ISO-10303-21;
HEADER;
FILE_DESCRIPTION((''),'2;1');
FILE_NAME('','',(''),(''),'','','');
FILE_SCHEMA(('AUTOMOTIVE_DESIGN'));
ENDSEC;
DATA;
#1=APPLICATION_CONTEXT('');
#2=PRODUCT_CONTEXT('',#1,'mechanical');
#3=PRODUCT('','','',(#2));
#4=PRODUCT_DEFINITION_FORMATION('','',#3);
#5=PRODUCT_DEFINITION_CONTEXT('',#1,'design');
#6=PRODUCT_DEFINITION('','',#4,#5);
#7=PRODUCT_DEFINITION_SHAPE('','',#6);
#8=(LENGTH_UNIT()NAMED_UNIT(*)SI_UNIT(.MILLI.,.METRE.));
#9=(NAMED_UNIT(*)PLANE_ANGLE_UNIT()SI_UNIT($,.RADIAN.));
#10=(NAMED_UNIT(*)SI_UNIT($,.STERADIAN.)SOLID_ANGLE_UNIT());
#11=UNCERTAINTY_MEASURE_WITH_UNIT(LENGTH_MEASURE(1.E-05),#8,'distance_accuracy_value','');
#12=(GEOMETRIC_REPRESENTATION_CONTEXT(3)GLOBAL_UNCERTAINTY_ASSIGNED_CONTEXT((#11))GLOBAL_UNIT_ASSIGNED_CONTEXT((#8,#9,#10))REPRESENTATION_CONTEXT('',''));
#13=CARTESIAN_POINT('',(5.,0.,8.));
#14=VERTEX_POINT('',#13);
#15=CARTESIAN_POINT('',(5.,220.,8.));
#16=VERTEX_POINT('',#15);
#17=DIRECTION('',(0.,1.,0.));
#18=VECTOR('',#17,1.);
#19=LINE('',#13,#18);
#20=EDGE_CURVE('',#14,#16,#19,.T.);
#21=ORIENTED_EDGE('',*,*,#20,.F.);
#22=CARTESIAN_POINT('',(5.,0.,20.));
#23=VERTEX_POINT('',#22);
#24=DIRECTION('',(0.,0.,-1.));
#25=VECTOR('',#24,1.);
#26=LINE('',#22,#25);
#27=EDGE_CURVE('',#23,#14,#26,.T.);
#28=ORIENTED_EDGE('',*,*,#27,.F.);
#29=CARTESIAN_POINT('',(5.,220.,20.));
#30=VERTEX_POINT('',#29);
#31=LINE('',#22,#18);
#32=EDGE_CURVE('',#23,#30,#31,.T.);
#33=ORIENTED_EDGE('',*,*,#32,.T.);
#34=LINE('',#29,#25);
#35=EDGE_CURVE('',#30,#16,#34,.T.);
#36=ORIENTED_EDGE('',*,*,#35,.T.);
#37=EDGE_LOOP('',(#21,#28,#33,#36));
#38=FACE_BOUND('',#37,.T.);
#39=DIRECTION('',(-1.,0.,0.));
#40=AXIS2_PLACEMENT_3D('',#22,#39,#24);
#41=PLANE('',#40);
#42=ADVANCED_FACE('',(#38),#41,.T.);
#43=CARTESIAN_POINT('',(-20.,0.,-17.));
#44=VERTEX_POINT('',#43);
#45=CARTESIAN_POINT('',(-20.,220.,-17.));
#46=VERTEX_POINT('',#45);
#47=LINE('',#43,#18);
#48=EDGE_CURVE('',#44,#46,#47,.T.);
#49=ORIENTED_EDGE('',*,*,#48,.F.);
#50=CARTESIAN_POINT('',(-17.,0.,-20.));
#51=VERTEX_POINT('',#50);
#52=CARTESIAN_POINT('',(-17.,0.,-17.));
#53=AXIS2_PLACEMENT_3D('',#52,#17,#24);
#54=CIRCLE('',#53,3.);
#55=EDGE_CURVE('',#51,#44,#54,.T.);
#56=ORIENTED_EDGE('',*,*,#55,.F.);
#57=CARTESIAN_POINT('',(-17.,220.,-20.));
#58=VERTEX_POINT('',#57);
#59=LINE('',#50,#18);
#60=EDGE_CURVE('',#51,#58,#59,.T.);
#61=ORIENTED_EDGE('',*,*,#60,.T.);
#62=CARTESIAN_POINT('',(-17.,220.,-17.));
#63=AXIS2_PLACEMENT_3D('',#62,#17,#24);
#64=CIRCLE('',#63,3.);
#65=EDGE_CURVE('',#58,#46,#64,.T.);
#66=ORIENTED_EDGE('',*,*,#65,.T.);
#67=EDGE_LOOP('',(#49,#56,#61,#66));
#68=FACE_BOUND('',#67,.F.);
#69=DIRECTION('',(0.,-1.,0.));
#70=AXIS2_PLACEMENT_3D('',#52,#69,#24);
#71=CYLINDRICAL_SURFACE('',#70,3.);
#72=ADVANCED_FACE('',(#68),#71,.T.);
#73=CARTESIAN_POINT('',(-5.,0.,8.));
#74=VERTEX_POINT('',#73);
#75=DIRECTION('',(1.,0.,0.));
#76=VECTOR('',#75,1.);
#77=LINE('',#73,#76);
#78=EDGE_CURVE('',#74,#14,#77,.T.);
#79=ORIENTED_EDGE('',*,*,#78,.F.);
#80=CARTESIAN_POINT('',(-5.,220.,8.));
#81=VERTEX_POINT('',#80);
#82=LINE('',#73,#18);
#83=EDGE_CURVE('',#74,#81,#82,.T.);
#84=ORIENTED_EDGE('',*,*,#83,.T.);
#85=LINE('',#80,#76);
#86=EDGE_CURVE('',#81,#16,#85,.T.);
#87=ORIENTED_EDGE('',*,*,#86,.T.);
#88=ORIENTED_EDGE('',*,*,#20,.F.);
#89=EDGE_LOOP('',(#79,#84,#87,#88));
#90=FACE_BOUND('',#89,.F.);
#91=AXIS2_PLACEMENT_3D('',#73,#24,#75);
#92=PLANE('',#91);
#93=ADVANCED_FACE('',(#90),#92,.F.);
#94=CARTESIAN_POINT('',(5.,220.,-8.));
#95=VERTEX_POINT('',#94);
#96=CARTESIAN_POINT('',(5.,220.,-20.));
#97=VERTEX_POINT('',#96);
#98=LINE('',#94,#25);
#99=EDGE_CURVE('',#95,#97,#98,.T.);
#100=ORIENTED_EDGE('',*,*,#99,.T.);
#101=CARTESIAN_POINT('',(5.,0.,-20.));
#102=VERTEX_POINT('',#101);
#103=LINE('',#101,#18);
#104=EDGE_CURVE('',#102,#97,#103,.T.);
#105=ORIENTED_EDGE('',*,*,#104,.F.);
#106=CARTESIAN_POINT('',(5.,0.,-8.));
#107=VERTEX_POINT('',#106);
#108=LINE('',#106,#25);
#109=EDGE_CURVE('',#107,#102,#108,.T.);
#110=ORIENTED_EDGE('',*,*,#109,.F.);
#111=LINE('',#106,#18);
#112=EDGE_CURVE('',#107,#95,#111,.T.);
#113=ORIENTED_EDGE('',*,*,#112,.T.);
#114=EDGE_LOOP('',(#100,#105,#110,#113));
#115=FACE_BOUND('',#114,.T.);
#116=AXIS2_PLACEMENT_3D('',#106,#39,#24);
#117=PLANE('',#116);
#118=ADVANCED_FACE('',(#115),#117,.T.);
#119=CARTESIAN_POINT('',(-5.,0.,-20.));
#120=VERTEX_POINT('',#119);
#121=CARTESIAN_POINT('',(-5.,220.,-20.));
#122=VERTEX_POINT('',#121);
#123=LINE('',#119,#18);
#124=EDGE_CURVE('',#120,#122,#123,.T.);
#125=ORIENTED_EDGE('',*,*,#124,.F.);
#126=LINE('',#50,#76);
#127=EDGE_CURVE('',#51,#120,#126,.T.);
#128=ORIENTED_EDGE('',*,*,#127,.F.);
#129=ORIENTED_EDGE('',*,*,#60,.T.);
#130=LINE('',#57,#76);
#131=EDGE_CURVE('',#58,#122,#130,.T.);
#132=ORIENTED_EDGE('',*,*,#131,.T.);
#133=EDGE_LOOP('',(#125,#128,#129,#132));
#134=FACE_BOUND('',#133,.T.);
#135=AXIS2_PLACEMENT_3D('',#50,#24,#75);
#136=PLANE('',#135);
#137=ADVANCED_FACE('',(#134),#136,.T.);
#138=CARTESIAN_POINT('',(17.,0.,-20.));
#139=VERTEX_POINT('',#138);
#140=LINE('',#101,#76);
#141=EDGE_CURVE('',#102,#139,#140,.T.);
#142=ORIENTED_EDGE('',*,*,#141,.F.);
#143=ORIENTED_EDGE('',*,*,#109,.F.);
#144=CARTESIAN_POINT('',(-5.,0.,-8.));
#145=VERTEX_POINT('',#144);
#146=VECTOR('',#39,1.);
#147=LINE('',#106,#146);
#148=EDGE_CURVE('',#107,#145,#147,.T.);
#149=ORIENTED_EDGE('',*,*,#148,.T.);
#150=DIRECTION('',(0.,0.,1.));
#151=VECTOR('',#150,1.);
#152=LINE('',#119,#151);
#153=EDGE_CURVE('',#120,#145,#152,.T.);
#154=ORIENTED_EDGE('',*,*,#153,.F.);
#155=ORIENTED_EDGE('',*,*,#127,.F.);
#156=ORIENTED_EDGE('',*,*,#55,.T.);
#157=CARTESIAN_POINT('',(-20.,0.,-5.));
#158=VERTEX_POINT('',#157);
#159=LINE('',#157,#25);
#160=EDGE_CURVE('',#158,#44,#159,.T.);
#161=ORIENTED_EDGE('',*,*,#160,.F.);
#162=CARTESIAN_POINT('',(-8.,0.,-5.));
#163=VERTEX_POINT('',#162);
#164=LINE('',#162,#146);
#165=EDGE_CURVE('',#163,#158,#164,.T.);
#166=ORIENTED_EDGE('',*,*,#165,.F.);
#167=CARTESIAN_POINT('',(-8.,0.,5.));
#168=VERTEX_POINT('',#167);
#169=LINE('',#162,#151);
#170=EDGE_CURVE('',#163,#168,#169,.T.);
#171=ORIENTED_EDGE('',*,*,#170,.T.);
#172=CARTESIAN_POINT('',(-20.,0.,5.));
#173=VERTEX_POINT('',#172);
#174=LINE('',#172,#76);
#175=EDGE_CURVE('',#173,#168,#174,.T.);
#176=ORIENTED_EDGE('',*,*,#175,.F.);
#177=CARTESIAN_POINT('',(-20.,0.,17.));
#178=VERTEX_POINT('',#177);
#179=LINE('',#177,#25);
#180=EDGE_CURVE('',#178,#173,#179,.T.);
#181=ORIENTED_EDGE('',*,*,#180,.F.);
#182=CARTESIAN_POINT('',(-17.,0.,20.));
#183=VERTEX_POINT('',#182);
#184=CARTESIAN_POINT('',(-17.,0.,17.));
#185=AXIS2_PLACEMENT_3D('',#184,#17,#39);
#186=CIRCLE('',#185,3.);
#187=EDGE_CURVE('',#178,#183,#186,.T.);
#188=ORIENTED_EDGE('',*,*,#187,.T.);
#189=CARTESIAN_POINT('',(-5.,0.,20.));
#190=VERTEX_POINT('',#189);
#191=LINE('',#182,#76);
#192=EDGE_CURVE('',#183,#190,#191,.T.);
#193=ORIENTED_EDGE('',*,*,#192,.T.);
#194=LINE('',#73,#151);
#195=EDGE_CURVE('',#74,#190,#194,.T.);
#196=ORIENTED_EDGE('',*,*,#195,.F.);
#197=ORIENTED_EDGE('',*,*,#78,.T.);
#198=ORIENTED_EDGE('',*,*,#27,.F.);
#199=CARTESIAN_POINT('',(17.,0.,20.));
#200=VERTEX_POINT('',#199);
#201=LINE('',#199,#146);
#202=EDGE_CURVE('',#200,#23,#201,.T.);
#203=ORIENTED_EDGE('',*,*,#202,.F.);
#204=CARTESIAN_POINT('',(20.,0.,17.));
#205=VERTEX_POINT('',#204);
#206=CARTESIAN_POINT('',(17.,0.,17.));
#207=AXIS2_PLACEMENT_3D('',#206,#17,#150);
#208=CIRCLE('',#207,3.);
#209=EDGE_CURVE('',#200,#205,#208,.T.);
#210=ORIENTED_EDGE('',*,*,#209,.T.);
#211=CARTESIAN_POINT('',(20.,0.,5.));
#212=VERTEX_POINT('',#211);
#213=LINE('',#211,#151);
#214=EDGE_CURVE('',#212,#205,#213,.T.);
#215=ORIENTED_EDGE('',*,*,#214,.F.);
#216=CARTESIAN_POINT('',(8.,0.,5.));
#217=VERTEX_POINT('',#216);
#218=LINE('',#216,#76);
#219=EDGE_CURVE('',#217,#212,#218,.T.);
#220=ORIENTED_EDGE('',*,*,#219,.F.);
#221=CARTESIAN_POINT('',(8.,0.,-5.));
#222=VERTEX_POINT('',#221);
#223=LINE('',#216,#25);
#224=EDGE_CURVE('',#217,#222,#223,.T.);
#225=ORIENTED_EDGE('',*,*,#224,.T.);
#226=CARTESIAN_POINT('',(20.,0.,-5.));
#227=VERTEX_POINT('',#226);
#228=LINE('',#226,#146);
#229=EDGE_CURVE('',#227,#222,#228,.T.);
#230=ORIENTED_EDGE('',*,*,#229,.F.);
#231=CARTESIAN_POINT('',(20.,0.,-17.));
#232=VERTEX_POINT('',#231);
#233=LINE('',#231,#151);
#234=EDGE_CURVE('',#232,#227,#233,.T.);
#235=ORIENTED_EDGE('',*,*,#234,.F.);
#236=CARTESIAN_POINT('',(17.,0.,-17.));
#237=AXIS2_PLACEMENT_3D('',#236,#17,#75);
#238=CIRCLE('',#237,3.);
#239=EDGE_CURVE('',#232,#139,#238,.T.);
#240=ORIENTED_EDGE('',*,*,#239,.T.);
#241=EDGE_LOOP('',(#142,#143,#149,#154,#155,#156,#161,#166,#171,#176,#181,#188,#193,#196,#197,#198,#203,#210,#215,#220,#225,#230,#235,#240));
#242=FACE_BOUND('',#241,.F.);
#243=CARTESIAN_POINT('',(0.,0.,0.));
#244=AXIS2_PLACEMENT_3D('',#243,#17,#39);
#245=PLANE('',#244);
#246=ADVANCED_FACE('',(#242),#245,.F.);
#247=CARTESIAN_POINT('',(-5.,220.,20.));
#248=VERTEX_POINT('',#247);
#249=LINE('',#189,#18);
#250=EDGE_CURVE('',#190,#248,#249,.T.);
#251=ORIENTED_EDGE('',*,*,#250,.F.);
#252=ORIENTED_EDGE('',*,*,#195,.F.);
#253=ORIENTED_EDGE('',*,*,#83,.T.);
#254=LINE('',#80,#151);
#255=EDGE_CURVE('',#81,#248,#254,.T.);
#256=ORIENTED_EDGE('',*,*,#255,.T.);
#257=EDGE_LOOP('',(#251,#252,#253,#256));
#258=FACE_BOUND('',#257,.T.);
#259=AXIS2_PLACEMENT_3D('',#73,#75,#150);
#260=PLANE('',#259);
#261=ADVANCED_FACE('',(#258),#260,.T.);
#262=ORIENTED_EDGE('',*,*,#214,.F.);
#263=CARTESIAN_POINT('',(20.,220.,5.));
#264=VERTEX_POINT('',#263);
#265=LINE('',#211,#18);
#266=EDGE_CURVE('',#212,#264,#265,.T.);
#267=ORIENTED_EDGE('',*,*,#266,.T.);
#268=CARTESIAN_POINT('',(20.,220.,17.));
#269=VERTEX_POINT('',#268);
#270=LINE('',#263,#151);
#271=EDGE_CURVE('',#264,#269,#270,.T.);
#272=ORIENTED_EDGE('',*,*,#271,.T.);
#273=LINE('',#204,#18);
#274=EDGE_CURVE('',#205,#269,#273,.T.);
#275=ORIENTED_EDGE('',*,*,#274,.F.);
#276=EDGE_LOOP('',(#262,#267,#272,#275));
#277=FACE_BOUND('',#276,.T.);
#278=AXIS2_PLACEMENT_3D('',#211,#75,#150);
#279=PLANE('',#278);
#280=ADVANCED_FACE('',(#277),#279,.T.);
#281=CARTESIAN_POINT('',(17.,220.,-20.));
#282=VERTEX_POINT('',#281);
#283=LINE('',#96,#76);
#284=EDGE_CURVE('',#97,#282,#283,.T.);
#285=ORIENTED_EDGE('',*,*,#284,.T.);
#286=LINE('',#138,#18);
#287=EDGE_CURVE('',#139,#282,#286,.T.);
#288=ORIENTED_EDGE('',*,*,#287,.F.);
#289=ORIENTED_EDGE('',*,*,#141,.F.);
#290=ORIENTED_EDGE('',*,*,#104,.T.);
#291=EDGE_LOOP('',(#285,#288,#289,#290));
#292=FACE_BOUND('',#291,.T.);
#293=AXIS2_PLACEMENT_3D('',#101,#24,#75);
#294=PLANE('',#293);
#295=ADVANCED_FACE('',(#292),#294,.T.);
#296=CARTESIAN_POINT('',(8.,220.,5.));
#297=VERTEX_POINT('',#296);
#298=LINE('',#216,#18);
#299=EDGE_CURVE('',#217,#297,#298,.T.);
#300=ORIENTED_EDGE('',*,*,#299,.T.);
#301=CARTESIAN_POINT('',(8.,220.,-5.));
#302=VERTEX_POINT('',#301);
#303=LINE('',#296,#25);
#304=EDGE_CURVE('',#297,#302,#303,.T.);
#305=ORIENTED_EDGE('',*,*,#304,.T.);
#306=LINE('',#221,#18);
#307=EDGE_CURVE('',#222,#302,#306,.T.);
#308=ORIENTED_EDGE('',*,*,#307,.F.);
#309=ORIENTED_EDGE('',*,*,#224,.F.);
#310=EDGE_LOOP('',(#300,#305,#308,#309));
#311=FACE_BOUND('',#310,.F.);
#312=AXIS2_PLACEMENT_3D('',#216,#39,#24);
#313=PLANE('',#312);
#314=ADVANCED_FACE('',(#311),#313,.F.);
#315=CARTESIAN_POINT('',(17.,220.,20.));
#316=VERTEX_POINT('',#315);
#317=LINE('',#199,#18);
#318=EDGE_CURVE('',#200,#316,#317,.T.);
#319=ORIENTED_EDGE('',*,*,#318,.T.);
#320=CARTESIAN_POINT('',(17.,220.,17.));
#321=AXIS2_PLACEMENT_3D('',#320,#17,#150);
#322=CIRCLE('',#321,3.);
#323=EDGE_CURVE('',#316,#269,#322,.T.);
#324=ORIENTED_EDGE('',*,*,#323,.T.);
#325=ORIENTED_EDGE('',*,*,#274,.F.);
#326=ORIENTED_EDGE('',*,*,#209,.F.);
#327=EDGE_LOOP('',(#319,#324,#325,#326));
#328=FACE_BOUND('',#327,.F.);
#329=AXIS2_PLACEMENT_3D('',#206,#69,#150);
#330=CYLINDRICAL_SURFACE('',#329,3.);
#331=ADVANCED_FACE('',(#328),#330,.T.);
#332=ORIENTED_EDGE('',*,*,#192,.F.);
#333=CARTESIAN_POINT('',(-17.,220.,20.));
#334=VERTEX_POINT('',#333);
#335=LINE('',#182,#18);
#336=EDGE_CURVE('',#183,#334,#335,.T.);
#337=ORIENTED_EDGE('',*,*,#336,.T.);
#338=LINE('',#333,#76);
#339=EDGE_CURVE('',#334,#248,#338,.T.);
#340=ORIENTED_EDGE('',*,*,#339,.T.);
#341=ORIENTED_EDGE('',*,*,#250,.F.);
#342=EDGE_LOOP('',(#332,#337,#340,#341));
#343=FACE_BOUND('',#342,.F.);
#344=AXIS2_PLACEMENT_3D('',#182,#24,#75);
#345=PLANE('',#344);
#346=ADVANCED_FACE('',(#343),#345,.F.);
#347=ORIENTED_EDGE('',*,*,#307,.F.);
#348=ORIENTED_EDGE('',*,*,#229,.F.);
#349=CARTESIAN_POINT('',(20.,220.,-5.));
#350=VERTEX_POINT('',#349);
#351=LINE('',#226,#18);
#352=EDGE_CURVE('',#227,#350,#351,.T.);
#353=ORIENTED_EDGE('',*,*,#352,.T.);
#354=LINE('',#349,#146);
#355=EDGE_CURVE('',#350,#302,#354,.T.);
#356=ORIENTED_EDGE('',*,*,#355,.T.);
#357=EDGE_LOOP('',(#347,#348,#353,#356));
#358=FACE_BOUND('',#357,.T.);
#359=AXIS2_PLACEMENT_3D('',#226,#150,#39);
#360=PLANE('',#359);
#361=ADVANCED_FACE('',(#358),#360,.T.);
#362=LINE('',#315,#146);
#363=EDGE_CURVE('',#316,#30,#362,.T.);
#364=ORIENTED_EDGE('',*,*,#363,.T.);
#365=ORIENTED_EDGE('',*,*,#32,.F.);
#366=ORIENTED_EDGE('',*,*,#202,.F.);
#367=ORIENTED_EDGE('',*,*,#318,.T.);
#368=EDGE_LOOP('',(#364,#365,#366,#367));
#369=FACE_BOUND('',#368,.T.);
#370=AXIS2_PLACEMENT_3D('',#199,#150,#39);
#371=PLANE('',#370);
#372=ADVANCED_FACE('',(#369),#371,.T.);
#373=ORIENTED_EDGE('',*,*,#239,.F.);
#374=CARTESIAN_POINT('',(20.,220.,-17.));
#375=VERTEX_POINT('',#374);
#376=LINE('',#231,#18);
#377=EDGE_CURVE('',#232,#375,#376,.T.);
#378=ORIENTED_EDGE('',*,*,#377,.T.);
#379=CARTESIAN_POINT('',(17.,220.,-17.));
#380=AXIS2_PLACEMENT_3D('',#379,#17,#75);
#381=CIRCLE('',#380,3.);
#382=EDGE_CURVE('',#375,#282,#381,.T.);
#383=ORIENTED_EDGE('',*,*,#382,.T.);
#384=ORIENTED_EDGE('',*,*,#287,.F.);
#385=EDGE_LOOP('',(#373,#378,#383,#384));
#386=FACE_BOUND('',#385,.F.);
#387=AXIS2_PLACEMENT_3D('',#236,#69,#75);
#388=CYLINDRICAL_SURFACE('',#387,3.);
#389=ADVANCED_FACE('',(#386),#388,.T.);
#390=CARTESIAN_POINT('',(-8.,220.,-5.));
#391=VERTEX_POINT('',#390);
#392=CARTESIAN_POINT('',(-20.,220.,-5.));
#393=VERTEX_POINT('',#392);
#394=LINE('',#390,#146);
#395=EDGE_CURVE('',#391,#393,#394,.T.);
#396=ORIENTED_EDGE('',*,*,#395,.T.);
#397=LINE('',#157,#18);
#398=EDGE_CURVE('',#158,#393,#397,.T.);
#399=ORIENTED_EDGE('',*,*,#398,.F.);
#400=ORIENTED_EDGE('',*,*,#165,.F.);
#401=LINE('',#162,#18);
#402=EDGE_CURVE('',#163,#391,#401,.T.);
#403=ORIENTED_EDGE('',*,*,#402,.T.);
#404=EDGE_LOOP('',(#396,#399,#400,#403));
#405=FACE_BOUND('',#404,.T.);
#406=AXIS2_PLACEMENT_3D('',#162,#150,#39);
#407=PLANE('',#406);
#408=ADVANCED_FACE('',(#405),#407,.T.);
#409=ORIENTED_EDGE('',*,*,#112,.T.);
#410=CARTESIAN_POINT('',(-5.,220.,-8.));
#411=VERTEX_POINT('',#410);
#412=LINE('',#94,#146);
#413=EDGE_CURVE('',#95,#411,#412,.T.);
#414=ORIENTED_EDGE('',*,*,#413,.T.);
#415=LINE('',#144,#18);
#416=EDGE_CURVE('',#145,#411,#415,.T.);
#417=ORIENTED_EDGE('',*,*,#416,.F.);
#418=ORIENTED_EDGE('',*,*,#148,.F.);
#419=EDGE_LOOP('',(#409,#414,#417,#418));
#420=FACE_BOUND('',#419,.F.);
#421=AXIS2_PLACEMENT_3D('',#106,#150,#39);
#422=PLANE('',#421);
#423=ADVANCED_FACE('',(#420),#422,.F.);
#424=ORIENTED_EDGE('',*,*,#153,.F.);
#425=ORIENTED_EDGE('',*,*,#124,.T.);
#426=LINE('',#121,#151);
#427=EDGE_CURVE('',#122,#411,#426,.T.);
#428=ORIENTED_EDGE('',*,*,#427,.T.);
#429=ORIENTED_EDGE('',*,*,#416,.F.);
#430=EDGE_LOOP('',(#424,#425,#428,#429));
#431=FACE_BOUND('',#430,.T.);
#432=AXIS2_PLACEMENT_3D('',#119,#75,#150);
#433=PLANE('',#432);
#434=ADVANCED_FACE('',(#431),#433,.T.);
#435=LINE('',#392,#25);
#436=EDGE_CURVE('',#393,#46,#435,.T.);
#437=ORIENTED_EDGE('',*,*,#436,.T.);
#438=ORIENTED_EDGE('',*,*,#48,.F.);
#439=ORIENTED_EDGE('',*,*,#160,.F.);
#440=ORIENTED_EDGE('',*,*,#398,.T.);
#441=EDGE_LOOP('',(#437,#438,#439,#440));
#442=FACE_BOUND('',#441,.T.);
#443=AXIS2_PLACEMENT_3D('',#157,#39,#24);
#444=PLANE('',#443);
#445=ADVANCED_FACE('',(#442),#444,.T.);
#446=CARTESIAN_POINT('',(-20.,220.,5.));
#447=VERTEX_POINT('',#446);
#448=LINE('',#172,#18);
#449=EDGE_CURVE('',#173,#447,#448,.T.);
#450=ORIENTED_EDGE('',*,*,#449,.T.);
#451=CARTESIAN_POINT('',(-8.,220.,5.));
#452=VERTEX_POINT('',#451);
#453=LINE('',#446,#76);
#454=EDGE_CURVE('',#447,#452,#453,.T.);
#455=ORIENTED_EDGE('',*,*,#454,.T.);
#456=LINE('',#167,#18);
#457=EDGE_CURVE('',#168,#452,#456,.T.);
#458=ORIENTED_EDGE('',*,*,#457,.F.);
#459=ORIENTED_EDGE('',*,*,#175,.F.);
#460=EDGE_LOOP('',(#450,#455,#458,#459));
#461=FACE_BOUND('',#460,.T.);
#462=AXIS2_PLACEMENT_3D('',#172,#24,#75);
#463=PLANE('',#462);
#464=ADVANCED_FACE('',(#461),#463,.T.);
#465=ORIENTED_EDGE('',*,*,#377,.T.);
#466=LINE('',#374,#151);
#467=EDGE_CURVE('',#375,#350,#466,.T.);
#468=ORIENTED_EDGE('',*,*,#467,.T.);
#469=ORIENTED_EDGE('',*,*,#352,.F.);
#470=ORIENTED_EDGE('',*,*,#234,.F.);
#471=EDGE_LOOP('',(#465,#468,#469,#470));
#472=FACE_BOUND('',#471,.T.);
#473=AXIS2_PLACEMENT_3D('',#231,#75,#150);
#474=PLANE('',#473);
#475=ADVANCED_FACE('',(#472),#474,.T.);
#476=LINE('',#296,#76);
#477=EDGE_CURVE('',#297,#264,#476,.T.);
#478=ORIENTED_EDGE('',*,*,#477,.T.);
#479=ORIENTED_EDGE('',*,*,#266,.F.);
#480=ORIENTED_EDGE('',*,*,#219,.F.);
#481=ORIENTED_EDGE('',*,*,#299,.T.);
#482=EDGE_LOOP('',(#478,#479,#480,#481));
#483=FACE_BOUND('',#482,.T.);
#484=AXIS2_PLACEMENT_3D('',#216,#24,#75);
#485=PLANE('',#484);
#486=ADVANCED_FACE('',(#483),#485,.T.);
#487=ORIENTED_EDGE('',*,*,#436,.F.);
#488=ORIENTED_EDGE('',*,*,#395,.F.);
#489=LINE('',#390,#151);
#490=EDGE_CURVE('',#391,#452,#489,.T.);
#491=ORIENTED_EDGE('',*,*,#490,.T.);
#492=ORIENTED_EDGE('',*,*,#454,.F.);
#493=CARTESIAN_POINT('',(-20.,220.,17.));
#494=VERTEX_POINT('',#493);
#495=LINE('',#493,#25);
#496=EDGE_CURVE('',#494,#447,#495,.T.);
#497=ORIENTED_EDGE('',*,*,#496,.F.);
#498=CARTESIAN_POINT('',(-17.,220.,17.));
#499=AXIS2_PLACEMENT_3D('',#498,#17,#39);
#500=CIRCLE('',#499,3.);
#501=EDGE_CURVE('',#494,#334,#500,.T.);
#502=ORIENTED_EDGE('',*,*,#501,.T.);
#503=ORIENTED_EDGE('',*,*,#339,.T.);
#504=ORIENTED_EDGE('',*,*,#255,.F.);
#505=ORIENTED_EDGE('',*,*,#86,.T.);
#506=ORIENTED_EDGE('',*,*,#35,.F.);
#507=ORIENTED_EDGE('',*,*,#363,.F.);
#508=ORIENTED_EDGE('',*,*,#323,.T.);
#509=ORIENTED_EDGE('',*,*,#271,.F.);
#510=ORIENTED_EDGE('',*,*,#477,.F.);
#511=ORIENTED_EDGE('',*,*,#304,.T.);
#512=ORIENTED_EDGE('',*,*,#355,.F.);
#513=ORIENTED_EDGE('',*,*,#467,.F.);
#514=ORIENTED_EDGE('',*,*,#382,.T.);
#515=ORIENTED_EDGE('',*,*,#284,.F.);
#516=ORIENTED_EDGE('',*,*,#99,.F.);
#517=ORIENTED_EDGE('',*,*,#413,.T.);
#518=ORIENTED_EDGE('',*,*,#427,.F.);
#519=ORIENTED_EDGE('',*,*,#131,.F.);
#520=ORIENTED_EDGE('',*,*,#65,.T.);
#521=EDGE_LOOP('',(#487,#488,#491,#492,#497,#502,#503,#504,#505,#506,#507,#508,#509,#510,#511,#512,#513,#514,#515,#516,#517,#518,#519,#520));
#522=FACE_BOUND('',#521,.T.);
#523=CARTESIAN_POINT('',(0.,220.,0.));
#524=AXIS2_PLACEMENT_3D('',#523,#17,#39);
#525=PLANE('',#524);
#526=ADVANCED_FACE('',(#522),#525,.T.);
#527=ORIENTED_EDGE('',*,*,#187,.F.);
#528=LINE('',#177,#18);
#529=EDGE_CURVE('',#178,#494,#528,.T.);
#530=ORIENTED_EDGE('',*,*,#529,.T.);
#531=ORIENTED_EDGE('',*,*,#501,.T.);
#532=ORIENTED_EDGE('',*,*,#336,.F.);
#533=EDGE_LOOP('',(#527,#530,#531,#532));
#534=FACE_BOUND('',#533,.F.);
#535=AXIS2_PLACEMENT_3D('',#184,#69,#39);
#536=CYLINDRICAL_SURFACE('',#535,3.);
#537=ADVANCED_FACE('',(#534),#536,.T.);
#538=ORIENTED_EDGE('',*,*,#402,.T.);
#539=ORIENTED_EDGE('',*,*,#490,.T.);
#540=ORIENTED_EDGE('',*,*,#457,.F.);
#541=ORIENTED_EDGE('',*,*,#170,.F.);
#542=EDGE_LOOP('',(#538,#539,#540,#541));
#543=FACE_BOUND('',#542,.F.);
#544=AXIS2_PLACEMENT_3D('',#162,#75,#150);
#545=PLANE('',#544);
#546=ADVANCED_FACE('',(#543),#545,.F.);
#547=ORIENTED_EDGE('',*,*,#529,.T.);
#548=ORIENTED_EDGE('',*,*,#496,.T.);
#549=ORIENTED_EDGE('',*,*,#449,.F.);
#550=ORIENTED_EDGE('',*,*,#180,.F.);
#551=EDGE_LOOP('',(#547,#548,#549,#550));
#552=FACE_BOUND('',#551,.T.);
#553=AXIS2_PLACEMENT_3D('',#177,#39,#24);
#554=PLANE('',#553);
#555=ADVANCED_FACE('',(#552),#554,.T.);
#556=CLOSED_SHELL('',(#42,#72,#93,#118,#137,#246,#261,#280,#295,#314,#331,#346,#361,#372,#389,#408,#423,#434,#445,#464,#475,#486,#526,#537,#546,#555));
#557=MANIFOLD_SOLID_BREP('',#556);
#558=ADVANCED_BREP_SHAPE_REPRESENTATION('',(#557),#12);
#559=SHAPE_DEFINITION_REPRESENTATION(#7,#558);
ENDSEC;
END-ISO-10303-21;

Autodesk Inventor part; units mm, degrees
ref_plane "YZ Plane" through (0, 0, 0) normal (1, 0, 0) x (0, 1, 0)
ref_plane "XZ Plane" through (0, 0, 0) normal (0, 1, 0) x (-1, 0, 0)
ref_plane "XY Plane" through (0, 0, 0) normal (0, 0, 1) x (1, 0, 0)
sketch "Sketch1" plane through (0, 0, 0) normal (0, 1, 0) x (-1, 0, 0)
  line L0 (-5, 20) -> (-5, 8)
  line L1 (5, -20) -> (5, -8)
  line L2 (20, 5) -> (8, 5)
  line L3 (-20, -5) -> (-8, -5)
  line L4 (8, -5) -> (20, -5)
  line L5 (-8, 5) -> (-20, 5)
  line L6 (-5, -8) -> (-5, -20)
  line L7 (5, 8) -> (5, 20)
  arc A0 (-17, 20) -> (-20, 17) centre (-17, 17) ccw
  arc A1 (-20, -17) -> (-17, -20) centre (-17, -17) ccw
  arc A2 (17, -20) -> (20, -17) centre (17, -17) ccw
  arc A3 (20, 17) -> (17, 20) centre (17, 17) ccw
  line L8 (20, 17) -> (20, 5)
  line L9 (20, -5) -> (20, -17)
  line L10 (17, -20) -> (5, -20)
  line L11 (-5, -20) -> (-17, -20)
  line L12 (-20, -17) -> (-20, -5)
  line L13 (-20, 5) -> (-20, 17)
  line L14 (-17, 20) -> (-5, 20)
  line L15 (17, 20) -> (5, 20)
  line L16 (5, 8) -> (-5, 8)
  line L17 (-8, 5) -> (-8, -5)
  line L18 (-5, -8) -> (5, -8)
  line L19 (8, -5) -> (8, 5)
  point P0 (0, 0)
extrude "Extrusion1" add sketch "Sketch1" along normal blind 220
properties part number "column"
